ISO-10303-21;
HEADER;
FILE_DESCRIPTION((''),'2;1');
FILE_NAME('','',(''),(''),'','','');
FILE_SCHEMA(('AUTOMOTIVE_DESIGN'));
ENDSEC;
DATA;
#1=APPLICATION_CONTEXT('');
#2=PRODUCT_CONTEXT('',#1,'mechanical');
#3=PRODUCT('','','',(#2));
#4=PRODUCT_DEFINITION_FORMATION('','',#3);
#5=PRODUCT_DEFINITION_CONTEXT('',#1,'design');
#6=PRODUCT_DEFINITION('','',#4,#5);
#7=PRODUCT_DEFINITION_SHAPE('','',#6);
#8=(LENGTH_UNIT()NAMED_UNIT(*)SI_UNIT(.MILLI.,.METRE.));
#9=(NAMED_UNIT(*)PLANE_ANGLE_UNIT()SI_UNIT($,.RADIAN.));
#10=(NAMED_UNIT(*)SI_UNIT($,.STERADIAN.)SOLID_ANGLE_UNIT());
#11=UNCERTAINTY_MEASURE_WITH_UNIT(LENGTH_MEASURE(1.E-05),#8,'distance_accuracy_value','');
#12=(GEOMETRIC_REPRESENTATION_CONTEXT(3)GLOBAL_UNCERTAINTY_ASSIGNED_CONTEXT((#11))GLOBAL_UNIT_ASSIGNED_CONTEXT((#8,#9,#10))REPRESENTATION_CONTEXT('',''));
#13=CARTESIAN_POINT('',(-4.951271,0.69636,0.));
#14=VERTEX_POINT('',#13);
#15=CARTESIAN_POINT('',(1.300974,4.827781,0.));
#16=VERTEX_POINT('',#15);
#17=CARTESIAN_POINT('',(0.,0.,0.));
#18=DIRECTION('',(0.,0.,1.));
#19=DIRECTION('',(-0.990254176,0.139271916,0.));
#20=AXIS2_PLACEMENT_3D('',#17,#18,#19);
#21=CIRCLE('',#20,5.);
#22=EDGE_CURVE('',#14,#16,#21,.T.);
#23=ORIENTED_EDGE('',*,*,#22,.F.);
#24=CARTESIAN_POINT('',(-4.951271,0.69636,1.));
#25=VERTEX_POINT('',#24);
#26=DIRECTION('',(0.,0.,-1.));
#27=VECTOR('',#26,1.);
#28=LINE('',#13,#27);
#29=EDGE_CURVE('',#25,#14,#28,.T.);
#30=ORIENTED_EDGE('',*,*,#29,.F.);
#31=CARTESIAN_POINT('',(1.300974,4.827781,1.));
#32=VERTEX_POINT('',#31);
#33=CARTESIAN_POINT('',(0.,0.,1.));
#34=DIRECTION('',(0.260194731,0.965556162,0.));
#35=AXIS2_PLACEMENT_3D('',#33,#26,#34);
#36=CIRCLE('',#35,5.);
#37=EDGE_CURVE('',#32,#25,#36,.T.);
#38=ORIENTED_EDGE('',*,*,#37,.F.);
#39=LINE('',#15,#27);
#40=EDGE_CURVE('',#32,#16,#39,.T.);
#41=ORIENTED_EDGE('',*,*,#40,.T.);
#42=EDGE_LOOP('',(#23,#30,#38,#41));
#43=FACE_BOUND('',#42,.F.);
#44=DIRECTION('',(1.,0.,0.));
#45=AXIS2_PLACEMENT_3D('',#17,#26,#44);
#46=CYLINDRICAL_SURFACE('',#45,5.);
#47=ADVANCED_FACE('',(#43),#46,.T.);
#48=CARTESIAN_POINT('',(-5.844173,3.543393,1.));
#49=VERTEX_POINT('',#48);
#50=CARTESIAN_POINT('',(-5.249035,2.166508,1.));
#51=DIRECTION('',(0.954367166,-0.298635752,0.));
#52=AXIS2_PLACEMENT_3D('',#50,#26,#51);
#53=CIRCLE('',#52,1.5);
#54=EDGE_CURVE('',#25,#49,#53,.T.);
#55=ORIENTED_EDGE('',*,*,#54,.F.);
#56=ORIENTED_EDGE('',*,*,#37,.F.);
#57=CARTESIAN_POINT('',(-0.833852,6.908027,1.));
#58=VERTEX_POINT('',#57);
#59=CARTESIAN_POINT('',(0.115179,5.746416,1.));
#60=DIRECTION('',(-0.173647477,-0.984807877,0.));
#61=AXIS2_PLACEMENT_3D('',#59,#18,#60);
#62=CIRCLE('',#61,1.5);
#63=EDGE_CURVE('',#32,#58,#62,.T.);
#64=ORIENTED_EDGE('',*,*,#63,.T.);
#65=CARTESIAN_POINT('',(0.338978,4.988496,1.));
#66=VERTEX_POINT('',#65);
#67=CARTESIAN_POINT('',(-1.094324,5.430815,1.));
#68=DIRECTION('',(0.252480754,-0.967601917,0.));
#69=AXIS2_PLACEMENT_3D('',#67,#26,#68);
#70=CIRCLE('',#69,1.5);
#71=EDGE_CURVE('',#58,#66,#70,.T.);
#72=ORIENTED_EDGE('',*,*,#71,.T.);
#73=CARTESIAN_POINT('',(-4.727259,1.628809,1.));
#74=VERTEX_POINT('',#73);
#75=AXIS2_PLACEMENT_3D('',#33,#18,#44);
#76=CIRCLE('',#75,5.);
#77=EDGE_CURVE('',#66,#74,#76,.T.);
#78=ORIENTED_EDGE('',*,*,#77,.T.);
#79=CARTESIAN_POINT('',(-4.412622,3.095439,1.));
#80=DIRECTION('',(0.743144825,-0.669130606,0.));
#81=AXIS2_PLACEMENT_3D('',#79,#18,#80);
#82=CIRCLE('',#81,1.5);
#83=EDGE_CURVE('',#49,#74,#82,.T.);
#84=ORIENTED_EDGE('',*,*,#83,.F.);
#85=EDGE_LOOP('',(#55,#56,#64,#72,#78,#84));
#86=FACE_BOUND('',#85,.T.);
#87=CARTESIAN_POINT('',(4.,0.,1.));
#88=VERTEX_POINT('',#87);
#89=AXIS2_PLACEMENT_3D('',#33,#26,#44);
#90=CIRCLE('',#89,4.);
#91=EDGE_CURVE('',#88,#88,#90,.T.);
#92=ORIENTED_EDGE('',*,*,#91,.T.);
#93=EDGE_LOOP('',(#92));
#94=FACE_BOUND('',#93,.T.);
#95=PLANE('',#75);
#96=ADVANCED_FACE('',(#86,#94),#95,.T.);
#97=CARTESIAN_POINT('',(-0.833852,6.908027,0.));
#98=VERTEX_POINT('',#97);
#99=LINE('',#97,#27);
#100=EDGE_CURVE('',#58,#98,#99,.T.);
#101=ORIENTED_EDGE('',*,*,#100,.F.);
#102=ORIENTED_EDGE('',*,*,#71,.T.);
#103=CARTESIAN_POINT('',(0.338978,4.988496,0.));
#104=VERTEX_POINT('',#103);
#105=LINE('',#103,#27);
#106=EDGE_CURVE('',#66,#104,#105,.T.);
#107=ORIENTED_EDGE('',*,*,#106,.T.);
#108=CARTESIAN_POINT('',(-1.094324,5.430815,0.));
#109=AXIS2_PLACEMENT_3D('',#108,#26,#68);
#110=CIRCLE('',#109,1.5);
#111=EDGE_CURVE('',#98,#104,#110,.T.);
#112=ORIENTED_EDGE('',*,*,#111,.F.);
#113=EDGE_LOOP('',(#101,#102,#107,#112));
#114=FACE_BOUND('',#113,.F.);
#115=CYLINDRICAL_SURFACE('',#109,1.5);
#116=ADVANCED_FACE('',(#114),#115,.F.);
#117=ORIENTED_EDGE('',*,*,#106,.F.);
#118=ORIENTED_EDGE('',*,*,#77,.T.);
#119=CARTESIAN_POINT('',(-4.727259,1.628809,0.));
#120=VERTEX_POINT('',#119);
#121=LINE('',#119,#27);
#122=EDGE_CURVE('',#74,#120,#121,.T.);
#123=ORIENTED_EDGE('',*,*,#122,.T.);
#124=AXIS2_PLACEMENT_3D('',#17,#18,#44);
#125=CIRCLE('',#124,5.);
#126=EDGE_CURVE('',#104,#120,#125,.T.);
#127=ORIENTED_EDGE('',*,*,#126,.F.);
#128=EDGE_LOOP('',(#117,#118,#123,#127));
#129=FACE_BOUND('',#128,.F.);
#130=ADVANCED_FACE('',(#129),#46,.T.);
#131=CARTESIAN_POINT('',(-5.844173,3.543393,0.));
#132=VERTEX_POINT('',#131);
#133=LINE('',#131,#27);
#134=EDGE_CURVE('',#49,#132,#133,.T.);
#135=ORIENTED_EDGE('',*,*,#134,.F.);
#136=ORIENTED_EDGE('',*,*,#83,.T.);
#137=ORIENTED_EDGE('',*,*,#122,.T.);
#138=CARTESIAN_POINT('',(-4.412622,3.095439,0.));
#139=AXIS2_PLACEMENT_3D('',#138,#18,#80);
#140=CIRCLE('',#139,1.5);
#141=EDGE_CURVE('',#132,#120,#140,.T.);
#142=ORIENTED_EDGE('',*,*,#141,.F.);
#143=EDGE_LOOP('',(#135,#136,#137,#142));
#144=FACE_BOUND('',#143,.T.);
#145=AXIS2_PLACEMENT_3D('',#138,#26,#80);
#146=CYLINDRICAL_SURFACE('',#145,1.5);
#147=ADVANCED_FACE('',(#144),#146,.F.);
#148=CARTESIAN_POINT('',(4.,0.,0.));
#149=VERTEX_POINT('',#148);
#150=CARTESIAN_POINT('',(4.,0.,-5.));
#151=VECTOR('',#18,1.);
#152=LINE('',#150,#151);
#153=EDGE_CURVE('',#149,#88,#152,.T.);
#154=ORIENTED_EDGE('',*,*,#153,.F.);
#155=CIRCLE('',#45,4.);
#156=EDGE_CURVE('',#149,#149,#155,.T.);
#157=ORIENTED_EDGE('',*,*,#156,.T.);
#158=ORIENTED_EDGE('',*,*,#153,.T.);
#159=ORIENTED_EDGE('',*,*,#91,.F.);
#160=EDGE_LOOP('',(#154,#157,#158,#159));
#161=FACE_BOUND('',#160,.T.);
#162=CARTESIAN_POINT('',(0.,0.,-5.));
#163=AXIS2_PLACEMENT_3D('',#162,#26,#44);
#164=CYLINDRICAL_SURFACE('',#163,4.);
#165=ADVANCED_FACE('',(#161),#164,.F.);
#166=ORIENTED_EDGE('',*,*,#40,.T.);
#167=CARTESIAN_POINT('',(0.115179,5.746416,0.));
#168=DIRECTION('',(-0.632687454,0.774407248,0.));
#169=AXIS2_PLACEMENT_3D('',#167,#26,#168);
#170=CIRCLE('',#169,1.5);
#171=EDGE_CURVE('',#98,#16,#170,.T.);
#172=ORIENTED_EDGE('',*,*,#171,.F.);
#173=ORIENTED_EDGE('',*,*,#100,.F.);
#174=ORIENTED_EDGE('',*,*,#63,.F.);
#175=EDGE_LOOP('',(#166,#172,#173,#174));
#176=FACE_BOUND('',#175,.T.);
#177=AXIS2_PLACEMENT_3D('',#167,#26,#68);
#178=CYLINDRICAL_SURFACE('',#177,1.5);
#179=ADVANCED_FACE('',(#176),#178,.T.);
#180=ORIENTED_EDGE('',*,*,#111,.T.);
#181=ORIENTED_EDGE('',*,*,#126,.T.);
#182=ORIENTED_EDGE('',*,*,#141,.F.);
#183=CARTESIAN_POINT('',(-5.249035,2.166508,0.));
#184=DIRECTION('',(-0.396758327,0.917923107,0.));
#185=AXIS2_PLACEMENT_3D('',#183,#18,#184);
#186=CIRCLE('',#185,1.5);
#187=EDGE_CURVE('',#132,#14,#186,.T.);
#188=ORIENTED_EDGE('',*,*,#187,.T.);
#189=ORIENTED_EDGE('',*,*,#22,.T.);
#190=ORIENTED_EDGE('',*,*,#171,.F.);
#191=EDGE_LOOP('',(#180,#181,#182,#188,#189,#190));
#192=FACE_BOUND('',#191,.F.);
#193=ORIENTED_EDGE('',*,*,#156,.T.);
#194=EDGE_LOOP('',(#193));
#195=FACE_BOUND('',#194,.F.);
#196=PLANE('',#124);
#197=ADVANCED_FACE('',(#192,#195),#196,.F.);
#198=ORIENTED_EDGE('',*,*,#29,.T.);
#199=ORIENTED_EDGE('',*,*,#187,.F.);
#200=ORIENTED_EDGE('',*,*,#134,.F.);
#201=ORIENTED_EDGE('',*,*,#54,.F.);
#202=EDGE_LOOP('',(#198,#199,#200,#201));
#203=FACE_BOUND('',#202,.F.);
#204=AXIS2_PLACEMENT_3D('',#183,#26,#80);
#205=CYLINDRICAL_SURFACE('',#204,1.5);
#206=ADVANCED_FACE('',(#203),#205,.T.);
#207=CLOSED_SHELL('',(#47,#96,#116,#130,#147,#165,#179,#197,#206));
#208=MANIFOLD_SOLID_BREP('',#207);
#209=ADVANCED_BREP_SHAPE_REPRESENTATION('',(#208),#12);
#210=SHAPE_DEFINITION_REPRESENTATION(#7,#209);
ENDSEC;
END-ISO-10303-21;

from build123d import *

# Parameters (mm, degrees)
CYLINDER004_R          = 1.5
CYLINDER004_DEPTH      = 1
CYLINDER002_R          = 1.5
CYLINDER002_DEPTH      = 1
CUT001_PLACEMENT_ANGLE = 318
MIRROR_PLACEMENT_ANGLE = 32
CYLINDER001_R          = 4
CYLINDER001_DEPTH      = 10
CYLINDER_R             = 5
CYLINDER_DEPTH         = 1


with BuildPart() as cylinder004:
    # Cylinder004 → Cylinder004 (new body)
    with BuildSketch(Plane(origin=(-5.5, 3.25, 0), x_dir=(1, 0, 0), z_dir=(0, 0, 1))):
        Circle(CYLINDER004_R)
    extrude(amount=CYLINDER004_DEPTH)


with BuildPart() as cut001:
    # Cylinder002 → Cylinder002 (new body)
    with BuildSketch(Plane(origin=(-5.5, 2, 0), x_dir=(1, 0, 0), z_dir=(0, 0, 1))):
        Circle(CYLINDER002_R)
    extrude(amount=CYLINDER002_DEPTH)

    # Cut001: cut Cylinder004
    add(cylinder004.part, mode=Mode.SUBTRACT)


with BuildPart() as cut001_1:
    # Cut001 placement: moved
    add(cut001.part.moved(Location((-2.5, -3, 0))).rotate(Axis((-2.5, -3, 0), (0, 0, 1)), CUT001_PLACEMENT_ANGLE))


with BuildPart() as cut001_mirrored:
    # Mirror: instance of Cut001
    add(cut001_1.part.mirror(Plane(origin=(-5.416318, 1.980722, 0), x_dir=(0.264078, -0.964501, 0), z_dir=(0.964501, 0.264078, 0))))


with BuildPart() as cut001_mirrored_1:
    # Mirror placement: moved
    add(cut001_mirrored.part.moved(Location((6, 7, 0))).rotate(Axis((6, 7, 0), (0, 0, 1)), MIRROR_PLACEMENT_ANGLE))


with BuildPart() as cylinder001:
    # Cylinder001 → Cylinder001 (new body)
    with BuildSketch(Plane.XY.offset(-5)):
        Circle(CYLINDER001_R)
    extrude(amount=CYLINDER001_DEPTH)


with BuildPart() as cut:
    # Cylinder → Cylinder (new body)
    with BuildSketch(Plane.XY):
        Circle(CYLINDER_R)
    extrude(amount=CYLINDER_DEPTH)

    # Cut: cut Cylinder001
    add(cylinder001.part, mode=Mode.SUBTRACT)


with BuildPart() as fusion:
    # Fusion base: copy of Cut001
    add(cut001_1.part)

    # Fusion: union Cut001 (mirrored), Cut
    add(cut001_mirrored_1.part)
    add(cut.part)


solid = fusion.part
